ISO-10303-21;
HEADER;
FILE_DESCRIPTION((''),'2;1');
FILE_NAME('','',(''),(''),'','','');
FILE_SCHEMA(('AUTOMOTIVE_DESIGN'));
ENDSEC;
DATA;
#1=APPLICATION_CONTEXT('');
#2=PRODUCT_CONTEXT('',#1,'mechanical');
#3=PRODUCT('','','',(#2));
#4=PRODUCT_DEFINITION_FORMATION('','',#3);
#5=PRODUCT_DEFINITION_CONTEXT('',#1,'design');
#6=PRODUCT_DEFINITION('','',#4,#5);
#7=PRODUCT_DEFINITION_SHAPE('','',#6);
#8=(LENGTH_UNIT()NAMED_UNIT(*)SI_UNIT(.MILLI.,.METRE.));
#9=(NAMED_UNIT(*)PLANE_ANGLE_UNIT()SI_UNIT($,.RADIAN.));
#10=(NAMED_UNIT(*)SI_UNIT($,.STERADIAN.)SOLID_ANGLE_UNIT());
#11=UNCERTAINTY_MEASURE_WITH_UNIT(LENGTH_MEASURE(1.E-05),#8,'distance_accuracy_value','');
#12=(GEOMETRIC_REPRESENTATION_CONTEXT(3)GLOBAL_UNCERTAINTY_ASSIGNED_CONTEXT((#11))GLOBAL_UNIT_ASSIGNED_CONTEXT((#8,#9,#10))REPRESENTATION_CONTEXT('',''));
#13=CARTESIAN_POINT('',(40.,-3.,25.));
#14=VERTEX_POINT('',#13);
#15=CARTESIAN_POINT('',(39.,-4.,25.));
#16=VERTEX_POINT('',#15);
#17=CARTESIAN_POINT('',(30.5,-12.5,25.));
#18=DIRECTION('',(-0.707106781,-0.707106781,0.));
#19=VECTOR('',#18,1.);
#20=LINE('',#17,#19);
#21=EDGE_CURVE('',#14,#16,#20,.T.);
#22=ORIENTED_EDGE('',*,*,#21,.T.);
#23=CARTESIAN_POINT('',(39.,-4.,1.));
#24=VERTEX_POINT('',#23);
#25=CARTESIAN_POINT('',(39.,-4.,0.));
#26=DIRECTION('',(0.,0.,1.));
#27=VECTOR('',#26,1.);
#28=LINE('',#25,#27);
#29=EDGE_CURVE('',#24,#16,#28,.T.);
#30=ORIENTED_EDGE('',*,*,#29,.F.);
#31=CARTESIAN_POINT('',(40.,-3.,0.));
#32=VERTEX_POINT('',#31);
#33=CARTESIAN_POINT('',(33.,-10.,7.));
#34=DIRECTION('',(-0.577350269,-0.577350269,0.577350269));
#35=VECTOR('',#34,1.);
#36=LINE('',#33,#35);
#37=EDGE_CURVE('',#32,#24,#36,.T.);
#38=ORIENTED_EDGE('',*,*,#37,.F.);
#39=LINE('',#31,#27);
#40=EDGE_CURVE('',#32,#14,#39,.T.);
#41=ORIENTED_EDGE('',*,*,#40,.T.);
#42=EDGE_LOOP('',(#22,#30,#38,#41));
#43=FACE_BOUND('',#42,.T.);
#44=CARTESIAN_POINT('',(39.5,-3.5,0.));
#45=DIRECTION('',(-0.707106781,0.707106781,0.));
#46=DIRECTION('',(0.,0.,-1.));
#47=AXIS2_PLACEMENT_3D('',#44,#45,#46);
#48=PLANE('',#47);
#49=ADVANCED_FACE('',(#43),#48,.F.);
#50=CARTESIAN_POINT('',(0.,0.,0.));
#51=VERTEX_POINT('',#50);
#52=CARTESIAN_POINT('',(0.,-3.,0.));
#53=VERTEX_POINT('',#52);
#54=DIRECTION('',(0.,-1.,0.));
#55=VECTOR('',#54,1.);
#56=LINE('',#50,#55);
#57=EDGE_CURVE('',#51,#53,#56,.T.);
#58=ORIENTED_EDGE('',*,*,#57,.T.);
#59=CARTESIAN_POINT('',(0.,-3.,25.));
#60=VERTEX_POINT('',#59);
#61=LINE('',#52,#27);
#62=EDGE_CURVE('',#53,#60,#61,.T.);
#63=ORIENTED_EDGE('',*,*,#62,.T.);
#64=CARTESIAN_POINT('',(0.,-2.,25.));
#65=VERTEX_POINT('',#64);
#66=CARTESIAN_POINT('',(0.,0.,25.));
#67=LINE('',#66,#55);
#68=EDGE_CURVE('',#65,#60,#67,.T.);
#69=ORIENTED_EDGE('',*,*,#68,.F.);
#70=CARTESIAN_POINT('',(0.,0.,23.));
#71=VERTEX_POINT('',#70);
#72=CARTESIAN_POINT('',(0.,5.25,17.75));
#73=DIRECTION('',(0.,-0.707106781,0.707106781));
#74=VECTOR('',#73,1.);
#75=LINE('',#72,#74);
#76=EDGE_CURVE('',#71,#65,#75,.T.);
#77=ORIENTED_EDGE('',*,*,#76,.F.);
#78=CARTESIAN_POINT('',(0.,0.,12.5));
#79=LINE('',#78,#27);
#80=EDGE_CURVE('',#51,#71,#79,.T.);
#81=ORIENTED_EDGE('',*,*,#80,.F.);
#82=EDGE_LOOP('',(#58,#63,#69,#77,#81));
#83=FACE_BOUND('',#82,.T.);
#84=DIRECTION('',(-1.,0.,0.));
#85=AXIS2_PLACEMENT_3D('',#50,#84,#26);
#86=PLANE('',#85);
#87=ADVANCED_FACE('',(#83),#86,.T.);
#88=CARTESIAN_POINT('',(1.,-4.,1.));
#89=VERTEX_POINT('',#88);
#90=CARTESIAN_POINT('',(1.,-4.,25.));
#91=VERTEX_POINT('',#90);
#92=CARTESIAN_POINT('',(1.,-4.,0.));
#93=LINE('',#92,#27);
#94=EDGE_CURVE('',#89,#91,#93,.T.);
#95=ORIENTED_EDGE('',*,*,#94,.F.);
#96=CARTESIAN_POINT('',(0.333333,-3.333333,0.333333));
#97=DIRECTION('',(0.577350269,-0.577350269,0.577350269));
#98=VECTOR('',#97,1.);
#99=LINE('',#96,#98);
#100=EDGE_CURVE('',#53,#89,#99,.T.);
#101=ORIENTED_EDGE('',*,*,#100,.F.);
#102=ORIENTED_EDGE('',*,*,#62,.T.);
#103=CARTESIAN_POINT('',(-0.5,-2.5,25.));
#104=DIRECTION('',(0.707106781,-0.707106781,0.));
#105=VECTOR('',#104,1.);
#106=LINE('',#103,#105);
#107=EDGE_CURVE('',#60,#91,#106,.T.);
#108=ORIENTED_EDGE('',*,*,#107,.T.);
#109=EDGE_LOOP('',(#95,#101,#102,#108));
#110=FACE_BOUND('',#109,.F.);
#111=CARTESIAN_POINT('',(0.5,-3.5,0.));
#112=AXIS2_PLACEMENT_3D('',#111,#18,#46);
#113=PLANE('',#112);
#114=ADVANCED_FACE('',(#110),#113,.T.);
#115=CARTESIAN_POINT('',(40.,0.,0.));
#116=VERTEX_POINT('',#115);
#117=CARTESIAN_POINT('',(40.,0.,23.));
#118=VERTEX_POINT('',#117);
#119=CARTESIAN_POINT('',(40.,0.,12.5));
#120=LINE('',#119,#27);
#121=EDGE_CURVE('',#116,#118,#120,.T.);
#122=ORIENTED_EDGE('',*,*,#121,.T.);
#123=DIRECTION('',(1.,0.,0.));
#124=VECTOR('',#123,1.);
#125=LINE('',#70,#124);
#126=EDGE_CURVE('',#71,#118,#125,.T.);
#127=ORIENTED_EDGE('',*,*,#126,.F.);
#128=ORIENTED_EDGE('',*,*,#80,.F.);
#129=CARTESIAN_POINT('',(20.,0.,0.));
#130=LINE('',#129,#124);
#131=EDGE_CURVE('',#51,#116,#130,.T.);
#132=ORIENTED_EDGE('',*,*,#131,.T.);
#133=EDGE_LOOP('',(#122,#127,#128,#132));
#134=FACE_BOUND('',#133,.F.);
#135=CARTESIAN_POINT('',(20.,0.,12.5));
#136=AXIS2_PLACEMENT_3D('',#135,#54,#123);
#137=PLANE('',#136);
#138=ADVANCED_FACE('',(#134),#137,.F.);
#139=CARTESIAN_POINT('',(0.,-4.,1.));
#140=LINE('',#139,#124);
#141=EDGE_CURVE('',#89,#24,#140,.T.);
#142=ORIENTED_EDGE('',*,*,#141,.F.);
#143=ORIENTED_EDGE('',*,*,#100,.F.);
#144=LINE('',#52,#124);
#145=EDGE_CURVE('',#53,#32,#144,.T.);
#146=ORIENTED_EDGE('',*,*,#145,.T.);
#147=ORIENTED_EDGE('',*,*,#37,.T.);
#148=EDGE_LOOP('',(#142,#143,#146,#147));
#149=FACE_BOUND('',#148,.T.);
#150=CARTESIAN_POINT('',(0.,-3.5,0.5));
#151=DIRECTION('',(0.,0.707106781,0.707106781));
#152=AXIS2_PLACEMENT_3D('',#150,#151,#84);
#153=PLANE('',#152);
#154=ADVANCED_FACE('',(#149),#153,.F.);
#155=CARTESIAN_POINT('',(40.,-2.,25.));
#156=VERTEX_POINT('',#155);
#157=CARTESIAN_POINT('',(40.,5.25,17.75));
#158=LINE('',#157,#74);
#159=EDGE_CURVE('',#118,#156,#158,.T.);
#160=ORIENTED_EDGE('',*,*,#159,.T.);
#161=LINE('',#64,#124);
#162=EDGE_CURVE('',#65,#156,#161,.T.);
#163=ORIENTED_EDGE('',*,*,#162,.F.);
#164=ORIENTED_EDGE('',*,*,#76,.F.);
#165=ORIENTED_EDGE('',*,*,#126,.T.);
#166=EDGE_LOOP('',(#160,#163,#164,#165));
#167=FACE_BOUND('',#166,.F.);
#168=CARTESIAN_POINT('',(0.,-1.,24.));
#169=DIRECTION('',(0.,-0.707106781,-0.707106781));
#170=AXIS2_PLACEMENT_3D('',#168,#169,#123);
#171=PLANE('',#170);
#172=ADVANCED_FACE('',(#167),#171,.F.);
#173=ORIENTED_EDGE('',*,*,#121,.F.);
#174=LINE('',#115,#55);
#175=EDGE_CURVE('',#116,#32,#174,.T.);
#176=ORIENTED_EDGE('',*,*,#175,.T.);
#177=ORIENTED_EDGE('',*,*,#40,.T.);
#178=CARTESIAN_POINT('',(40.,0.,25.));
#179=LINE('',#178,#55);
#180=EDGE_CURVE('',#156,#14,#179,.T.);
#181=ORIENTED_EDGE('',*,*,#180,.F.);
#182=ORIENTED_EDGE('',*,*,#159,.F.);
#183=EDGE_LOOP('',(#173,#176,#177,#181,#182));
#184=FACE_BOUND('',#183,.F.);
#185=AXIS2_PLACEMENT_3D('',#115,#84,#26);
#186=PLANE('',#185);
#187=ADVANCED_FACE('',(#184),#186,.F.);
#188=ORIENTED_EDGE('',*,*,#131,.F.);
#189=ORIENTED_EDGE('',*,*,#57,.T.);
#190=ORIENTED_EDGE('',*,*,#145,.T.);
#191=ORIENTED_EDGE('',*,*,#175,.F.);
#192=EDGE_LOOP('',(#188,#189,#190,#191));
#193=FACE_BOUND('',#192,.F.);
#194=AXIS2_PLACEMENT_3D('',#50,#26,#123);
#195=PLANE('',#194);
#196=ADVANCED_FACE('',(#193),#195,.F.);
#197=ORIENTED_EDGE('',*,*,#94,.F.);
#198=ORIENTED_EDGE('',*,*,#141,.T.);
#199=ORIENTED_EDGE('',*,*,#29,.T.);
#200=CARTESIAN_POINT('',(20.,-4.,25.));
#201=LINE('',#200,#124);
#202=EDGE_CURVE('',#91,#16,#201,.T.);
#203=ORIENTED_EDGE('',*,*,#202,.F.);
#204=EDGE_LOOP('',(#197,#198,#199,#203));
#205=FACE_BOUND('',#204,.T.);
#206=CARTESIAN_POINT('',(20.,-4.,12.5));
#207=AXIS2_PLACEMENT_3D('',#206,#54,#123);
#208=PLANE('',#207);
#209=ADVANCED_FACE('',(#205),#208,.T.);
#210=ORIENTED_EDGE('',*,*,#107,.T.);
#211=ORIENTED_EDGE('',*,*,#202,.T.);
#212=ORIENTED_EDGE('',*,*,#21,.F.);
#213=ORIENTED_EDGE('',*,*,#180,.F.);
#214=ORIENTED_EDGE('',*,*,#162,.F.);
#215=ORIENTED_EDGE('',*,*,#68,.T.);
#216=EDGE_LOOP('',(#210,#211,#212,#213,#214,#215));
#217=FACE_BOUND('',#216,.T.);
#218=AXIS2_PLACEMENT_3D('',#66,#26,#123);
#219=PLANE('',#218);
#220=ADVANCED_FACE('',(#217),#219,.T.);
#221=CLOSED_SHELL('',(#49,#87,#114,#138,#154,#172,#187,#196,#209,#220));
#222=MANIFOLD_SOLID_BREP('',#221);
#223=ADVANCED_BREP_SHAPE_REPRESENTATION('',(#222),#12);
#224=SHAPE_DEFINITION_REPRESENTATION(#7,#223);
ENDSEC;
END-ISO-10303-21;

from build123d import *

# Parameters (mm, degrees)
F0_W     = 40
F0_H     = 25
F1_DEPTH = 4
F2_SIZE  = 1
F3_SIZE  = 2


with BuildPart() as f1:
    # F0 (on Front) → F1 (new body)
    with BuildSketch(Plane.XZ):
        with Locations((20, 12.5)):
            Rectangle(F0_W, F0_H)
    extrude(amount=F1_DEPTH)

    # F2
    f2_edges = [f1.edges().sort_by_distance(p)[0] for p in [
        (0, -4, 12.5),
        (20, -4, 0),
        (40, -4, 12.5),
    ]]
    chamfer(f2_edges, length=F2_SIZE)

    # F3
    f3_edges = [f1.edges().sort_by_distance(p)[0] for p in [
        (20, 0, 25),
    ]]
    chamfer(f3_edges, length=F3_SIZE)


solid = f1.part
